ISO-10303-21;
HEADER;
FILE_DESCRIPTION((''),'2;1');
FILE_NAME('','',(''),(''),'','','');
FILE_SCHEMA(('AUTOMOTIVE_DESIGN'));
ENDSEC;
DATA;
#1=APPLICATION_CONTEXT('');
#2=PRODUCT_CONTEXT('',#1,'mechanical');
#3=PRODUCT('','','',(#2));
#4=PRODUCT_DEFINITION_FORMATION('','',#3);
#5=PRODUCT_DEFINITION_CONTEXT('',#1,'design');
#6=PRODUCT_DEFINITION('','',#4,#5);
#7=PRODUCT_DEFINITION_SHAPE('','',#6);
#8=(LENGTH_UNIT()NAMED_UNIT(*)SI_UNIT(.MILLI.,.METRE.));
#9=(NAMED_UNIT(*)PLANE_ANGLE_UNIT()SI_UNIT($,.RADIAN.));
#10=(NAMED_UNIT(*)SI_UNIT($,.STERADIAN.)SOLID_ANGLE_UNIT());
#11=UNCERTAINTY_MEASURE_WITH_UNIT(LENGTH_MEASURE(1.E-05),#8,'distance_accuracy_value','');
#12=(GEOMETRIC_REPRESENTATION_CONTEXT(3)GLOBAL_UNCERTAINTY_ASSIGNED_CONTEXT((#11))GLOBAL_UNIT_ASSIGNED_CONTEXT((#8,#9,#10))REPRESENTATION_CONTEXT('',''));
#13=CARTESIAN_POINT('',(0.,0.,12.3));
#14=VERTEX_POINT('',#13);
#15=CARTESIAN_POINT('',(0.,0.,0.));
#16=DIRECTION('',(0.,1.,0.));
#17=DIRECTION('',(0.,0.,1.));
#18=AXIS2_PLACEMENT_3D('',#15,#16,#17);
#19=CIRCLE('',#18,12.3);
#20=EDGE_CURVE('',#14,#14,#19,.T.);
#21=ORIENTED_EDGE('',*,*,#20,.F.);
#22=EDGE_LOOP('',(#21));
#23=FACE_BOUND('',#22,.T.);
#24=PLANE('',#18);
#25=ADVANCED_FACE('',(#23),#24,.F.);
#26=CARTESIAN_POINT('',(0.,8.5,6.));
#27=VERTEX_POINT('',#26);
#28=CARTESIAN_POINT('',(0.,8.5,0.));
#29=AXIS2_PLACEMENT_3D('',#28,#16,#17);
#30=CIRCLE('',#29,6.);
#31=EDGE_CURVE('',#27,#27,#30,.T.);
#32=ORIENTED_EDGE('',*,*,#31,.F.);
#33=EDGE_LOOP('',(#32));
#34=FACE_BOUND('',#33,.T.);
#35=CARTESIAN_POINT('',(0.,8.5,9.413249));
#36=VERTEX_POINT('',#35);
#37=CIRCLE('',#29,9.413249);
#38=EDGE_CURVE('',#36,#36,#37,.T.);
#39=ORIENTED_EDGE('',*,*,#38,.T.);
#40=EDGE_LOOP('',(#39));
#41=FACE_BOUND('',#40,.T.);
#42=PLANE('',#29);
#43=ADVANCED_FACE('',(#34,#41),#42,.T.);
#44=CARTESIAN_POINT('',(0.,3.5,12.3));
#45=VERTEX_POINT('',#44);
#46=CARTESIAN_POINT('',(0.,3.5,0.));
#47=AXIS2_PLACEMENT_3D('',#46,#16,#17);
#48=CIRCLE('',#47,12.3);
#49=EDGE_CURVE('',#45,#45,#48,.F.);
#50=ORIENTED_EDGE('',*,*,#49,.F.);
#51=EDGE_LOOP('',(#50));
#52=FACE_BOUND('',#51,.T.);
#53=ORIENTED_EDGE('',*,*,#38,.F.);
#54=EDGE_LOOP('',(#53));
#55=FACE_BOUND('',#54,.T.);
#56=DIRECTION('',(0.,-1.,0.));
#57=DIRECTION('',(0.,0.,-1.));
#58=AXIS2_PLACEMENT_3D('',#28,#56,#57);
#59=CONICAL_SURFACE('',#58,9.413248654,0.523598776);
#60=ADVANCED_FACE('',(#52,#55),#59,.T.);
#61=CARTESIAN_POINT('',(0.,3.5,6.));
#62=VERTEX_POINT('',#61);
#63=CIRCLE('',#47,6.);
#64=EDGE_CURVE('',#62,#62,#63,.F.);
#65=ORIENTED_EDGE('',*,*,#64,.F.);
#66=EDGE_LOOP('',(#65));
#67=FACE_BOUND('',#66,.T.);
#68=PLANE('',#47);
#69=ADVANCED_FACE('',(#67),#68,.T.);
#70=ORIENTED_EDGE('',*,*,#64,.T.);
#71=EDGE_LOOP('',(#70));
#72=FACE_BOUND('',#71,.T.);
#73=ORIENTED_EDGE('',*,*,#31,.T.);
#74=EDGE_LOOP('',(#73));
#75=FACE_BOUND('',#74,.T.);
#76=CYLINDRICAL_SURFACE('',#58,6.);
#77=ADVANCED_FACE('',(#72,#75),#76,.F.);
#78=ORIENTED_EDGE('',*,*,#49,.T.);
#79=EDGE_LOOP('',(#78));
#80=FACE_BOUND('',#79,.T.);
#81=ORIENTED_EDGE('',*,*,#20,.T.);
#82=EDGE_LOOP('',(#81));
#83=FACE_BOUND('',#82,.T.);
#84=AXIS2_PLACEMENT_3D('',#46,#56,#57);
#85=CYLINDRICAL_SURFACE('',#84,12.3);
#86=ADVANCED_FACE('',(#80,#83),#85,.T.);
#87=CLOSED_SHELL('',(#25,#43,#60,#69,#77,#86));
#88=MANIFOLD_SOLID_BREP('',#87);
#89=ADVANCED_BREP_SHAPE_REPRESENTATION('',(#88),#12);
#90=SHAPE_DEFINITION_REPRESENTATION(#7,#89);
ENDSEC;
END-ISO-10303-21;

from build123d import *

# Parameters (mm, degrees)
SKETCH1_R           = 12.3
BOSS_EXTRUDE1_DEPTH = 3.5
SKETCH2_R           = 12.3
SKETCH2_R_2         = 6
BOSS_EXTRUDE2_DEPTH = 5
CHAMFER1_SIZE       = 5
CHAMFER1_SIZE2      = 2.886751346


with BuildPart() as part:
    # Sketch1 → Boss-Extrude1 (new body)
    with BuildSketch(Plane(origin=(0, 0, 0), x_dir=(1, 0, 0), z_dir=(0, 1, 0))):
        Circle(SKETCH1_R)
    extrude(amount=BOSS_EXTRUDE1_DEPTH)

    # Sketch2 → Boss-Extrude2 (add)
    with BuildSketch(Plane(origin=(0, 3.5, 0), x_dir=(1, 0, 0), z_dir=(0, 1, 0))):
        Circle(SKETCH2_R)
        Circle(SKETCH2_R_2, mode=Mode.SUBTRACT)
    extrude(amount=BOSS_EXTRUDE2_DEPTH)

    # Chamfer1
    chamfer1_edges = [part.edges().sort_by_distance(p)[0] for p in [
        (-12.3, 8.5, 0),
    ]]
    chamfer1_side = [part.faces().sort_by_distance(p)[0] for p in [
        (-12.3, 4.25, 0),
    ]]
    chamfer(chamfer1_edges, length=CHAMFER1_SIZE, length2=CHAMFER1_SIZE2, reference=chamfer1_side[0])


solid = part.part
